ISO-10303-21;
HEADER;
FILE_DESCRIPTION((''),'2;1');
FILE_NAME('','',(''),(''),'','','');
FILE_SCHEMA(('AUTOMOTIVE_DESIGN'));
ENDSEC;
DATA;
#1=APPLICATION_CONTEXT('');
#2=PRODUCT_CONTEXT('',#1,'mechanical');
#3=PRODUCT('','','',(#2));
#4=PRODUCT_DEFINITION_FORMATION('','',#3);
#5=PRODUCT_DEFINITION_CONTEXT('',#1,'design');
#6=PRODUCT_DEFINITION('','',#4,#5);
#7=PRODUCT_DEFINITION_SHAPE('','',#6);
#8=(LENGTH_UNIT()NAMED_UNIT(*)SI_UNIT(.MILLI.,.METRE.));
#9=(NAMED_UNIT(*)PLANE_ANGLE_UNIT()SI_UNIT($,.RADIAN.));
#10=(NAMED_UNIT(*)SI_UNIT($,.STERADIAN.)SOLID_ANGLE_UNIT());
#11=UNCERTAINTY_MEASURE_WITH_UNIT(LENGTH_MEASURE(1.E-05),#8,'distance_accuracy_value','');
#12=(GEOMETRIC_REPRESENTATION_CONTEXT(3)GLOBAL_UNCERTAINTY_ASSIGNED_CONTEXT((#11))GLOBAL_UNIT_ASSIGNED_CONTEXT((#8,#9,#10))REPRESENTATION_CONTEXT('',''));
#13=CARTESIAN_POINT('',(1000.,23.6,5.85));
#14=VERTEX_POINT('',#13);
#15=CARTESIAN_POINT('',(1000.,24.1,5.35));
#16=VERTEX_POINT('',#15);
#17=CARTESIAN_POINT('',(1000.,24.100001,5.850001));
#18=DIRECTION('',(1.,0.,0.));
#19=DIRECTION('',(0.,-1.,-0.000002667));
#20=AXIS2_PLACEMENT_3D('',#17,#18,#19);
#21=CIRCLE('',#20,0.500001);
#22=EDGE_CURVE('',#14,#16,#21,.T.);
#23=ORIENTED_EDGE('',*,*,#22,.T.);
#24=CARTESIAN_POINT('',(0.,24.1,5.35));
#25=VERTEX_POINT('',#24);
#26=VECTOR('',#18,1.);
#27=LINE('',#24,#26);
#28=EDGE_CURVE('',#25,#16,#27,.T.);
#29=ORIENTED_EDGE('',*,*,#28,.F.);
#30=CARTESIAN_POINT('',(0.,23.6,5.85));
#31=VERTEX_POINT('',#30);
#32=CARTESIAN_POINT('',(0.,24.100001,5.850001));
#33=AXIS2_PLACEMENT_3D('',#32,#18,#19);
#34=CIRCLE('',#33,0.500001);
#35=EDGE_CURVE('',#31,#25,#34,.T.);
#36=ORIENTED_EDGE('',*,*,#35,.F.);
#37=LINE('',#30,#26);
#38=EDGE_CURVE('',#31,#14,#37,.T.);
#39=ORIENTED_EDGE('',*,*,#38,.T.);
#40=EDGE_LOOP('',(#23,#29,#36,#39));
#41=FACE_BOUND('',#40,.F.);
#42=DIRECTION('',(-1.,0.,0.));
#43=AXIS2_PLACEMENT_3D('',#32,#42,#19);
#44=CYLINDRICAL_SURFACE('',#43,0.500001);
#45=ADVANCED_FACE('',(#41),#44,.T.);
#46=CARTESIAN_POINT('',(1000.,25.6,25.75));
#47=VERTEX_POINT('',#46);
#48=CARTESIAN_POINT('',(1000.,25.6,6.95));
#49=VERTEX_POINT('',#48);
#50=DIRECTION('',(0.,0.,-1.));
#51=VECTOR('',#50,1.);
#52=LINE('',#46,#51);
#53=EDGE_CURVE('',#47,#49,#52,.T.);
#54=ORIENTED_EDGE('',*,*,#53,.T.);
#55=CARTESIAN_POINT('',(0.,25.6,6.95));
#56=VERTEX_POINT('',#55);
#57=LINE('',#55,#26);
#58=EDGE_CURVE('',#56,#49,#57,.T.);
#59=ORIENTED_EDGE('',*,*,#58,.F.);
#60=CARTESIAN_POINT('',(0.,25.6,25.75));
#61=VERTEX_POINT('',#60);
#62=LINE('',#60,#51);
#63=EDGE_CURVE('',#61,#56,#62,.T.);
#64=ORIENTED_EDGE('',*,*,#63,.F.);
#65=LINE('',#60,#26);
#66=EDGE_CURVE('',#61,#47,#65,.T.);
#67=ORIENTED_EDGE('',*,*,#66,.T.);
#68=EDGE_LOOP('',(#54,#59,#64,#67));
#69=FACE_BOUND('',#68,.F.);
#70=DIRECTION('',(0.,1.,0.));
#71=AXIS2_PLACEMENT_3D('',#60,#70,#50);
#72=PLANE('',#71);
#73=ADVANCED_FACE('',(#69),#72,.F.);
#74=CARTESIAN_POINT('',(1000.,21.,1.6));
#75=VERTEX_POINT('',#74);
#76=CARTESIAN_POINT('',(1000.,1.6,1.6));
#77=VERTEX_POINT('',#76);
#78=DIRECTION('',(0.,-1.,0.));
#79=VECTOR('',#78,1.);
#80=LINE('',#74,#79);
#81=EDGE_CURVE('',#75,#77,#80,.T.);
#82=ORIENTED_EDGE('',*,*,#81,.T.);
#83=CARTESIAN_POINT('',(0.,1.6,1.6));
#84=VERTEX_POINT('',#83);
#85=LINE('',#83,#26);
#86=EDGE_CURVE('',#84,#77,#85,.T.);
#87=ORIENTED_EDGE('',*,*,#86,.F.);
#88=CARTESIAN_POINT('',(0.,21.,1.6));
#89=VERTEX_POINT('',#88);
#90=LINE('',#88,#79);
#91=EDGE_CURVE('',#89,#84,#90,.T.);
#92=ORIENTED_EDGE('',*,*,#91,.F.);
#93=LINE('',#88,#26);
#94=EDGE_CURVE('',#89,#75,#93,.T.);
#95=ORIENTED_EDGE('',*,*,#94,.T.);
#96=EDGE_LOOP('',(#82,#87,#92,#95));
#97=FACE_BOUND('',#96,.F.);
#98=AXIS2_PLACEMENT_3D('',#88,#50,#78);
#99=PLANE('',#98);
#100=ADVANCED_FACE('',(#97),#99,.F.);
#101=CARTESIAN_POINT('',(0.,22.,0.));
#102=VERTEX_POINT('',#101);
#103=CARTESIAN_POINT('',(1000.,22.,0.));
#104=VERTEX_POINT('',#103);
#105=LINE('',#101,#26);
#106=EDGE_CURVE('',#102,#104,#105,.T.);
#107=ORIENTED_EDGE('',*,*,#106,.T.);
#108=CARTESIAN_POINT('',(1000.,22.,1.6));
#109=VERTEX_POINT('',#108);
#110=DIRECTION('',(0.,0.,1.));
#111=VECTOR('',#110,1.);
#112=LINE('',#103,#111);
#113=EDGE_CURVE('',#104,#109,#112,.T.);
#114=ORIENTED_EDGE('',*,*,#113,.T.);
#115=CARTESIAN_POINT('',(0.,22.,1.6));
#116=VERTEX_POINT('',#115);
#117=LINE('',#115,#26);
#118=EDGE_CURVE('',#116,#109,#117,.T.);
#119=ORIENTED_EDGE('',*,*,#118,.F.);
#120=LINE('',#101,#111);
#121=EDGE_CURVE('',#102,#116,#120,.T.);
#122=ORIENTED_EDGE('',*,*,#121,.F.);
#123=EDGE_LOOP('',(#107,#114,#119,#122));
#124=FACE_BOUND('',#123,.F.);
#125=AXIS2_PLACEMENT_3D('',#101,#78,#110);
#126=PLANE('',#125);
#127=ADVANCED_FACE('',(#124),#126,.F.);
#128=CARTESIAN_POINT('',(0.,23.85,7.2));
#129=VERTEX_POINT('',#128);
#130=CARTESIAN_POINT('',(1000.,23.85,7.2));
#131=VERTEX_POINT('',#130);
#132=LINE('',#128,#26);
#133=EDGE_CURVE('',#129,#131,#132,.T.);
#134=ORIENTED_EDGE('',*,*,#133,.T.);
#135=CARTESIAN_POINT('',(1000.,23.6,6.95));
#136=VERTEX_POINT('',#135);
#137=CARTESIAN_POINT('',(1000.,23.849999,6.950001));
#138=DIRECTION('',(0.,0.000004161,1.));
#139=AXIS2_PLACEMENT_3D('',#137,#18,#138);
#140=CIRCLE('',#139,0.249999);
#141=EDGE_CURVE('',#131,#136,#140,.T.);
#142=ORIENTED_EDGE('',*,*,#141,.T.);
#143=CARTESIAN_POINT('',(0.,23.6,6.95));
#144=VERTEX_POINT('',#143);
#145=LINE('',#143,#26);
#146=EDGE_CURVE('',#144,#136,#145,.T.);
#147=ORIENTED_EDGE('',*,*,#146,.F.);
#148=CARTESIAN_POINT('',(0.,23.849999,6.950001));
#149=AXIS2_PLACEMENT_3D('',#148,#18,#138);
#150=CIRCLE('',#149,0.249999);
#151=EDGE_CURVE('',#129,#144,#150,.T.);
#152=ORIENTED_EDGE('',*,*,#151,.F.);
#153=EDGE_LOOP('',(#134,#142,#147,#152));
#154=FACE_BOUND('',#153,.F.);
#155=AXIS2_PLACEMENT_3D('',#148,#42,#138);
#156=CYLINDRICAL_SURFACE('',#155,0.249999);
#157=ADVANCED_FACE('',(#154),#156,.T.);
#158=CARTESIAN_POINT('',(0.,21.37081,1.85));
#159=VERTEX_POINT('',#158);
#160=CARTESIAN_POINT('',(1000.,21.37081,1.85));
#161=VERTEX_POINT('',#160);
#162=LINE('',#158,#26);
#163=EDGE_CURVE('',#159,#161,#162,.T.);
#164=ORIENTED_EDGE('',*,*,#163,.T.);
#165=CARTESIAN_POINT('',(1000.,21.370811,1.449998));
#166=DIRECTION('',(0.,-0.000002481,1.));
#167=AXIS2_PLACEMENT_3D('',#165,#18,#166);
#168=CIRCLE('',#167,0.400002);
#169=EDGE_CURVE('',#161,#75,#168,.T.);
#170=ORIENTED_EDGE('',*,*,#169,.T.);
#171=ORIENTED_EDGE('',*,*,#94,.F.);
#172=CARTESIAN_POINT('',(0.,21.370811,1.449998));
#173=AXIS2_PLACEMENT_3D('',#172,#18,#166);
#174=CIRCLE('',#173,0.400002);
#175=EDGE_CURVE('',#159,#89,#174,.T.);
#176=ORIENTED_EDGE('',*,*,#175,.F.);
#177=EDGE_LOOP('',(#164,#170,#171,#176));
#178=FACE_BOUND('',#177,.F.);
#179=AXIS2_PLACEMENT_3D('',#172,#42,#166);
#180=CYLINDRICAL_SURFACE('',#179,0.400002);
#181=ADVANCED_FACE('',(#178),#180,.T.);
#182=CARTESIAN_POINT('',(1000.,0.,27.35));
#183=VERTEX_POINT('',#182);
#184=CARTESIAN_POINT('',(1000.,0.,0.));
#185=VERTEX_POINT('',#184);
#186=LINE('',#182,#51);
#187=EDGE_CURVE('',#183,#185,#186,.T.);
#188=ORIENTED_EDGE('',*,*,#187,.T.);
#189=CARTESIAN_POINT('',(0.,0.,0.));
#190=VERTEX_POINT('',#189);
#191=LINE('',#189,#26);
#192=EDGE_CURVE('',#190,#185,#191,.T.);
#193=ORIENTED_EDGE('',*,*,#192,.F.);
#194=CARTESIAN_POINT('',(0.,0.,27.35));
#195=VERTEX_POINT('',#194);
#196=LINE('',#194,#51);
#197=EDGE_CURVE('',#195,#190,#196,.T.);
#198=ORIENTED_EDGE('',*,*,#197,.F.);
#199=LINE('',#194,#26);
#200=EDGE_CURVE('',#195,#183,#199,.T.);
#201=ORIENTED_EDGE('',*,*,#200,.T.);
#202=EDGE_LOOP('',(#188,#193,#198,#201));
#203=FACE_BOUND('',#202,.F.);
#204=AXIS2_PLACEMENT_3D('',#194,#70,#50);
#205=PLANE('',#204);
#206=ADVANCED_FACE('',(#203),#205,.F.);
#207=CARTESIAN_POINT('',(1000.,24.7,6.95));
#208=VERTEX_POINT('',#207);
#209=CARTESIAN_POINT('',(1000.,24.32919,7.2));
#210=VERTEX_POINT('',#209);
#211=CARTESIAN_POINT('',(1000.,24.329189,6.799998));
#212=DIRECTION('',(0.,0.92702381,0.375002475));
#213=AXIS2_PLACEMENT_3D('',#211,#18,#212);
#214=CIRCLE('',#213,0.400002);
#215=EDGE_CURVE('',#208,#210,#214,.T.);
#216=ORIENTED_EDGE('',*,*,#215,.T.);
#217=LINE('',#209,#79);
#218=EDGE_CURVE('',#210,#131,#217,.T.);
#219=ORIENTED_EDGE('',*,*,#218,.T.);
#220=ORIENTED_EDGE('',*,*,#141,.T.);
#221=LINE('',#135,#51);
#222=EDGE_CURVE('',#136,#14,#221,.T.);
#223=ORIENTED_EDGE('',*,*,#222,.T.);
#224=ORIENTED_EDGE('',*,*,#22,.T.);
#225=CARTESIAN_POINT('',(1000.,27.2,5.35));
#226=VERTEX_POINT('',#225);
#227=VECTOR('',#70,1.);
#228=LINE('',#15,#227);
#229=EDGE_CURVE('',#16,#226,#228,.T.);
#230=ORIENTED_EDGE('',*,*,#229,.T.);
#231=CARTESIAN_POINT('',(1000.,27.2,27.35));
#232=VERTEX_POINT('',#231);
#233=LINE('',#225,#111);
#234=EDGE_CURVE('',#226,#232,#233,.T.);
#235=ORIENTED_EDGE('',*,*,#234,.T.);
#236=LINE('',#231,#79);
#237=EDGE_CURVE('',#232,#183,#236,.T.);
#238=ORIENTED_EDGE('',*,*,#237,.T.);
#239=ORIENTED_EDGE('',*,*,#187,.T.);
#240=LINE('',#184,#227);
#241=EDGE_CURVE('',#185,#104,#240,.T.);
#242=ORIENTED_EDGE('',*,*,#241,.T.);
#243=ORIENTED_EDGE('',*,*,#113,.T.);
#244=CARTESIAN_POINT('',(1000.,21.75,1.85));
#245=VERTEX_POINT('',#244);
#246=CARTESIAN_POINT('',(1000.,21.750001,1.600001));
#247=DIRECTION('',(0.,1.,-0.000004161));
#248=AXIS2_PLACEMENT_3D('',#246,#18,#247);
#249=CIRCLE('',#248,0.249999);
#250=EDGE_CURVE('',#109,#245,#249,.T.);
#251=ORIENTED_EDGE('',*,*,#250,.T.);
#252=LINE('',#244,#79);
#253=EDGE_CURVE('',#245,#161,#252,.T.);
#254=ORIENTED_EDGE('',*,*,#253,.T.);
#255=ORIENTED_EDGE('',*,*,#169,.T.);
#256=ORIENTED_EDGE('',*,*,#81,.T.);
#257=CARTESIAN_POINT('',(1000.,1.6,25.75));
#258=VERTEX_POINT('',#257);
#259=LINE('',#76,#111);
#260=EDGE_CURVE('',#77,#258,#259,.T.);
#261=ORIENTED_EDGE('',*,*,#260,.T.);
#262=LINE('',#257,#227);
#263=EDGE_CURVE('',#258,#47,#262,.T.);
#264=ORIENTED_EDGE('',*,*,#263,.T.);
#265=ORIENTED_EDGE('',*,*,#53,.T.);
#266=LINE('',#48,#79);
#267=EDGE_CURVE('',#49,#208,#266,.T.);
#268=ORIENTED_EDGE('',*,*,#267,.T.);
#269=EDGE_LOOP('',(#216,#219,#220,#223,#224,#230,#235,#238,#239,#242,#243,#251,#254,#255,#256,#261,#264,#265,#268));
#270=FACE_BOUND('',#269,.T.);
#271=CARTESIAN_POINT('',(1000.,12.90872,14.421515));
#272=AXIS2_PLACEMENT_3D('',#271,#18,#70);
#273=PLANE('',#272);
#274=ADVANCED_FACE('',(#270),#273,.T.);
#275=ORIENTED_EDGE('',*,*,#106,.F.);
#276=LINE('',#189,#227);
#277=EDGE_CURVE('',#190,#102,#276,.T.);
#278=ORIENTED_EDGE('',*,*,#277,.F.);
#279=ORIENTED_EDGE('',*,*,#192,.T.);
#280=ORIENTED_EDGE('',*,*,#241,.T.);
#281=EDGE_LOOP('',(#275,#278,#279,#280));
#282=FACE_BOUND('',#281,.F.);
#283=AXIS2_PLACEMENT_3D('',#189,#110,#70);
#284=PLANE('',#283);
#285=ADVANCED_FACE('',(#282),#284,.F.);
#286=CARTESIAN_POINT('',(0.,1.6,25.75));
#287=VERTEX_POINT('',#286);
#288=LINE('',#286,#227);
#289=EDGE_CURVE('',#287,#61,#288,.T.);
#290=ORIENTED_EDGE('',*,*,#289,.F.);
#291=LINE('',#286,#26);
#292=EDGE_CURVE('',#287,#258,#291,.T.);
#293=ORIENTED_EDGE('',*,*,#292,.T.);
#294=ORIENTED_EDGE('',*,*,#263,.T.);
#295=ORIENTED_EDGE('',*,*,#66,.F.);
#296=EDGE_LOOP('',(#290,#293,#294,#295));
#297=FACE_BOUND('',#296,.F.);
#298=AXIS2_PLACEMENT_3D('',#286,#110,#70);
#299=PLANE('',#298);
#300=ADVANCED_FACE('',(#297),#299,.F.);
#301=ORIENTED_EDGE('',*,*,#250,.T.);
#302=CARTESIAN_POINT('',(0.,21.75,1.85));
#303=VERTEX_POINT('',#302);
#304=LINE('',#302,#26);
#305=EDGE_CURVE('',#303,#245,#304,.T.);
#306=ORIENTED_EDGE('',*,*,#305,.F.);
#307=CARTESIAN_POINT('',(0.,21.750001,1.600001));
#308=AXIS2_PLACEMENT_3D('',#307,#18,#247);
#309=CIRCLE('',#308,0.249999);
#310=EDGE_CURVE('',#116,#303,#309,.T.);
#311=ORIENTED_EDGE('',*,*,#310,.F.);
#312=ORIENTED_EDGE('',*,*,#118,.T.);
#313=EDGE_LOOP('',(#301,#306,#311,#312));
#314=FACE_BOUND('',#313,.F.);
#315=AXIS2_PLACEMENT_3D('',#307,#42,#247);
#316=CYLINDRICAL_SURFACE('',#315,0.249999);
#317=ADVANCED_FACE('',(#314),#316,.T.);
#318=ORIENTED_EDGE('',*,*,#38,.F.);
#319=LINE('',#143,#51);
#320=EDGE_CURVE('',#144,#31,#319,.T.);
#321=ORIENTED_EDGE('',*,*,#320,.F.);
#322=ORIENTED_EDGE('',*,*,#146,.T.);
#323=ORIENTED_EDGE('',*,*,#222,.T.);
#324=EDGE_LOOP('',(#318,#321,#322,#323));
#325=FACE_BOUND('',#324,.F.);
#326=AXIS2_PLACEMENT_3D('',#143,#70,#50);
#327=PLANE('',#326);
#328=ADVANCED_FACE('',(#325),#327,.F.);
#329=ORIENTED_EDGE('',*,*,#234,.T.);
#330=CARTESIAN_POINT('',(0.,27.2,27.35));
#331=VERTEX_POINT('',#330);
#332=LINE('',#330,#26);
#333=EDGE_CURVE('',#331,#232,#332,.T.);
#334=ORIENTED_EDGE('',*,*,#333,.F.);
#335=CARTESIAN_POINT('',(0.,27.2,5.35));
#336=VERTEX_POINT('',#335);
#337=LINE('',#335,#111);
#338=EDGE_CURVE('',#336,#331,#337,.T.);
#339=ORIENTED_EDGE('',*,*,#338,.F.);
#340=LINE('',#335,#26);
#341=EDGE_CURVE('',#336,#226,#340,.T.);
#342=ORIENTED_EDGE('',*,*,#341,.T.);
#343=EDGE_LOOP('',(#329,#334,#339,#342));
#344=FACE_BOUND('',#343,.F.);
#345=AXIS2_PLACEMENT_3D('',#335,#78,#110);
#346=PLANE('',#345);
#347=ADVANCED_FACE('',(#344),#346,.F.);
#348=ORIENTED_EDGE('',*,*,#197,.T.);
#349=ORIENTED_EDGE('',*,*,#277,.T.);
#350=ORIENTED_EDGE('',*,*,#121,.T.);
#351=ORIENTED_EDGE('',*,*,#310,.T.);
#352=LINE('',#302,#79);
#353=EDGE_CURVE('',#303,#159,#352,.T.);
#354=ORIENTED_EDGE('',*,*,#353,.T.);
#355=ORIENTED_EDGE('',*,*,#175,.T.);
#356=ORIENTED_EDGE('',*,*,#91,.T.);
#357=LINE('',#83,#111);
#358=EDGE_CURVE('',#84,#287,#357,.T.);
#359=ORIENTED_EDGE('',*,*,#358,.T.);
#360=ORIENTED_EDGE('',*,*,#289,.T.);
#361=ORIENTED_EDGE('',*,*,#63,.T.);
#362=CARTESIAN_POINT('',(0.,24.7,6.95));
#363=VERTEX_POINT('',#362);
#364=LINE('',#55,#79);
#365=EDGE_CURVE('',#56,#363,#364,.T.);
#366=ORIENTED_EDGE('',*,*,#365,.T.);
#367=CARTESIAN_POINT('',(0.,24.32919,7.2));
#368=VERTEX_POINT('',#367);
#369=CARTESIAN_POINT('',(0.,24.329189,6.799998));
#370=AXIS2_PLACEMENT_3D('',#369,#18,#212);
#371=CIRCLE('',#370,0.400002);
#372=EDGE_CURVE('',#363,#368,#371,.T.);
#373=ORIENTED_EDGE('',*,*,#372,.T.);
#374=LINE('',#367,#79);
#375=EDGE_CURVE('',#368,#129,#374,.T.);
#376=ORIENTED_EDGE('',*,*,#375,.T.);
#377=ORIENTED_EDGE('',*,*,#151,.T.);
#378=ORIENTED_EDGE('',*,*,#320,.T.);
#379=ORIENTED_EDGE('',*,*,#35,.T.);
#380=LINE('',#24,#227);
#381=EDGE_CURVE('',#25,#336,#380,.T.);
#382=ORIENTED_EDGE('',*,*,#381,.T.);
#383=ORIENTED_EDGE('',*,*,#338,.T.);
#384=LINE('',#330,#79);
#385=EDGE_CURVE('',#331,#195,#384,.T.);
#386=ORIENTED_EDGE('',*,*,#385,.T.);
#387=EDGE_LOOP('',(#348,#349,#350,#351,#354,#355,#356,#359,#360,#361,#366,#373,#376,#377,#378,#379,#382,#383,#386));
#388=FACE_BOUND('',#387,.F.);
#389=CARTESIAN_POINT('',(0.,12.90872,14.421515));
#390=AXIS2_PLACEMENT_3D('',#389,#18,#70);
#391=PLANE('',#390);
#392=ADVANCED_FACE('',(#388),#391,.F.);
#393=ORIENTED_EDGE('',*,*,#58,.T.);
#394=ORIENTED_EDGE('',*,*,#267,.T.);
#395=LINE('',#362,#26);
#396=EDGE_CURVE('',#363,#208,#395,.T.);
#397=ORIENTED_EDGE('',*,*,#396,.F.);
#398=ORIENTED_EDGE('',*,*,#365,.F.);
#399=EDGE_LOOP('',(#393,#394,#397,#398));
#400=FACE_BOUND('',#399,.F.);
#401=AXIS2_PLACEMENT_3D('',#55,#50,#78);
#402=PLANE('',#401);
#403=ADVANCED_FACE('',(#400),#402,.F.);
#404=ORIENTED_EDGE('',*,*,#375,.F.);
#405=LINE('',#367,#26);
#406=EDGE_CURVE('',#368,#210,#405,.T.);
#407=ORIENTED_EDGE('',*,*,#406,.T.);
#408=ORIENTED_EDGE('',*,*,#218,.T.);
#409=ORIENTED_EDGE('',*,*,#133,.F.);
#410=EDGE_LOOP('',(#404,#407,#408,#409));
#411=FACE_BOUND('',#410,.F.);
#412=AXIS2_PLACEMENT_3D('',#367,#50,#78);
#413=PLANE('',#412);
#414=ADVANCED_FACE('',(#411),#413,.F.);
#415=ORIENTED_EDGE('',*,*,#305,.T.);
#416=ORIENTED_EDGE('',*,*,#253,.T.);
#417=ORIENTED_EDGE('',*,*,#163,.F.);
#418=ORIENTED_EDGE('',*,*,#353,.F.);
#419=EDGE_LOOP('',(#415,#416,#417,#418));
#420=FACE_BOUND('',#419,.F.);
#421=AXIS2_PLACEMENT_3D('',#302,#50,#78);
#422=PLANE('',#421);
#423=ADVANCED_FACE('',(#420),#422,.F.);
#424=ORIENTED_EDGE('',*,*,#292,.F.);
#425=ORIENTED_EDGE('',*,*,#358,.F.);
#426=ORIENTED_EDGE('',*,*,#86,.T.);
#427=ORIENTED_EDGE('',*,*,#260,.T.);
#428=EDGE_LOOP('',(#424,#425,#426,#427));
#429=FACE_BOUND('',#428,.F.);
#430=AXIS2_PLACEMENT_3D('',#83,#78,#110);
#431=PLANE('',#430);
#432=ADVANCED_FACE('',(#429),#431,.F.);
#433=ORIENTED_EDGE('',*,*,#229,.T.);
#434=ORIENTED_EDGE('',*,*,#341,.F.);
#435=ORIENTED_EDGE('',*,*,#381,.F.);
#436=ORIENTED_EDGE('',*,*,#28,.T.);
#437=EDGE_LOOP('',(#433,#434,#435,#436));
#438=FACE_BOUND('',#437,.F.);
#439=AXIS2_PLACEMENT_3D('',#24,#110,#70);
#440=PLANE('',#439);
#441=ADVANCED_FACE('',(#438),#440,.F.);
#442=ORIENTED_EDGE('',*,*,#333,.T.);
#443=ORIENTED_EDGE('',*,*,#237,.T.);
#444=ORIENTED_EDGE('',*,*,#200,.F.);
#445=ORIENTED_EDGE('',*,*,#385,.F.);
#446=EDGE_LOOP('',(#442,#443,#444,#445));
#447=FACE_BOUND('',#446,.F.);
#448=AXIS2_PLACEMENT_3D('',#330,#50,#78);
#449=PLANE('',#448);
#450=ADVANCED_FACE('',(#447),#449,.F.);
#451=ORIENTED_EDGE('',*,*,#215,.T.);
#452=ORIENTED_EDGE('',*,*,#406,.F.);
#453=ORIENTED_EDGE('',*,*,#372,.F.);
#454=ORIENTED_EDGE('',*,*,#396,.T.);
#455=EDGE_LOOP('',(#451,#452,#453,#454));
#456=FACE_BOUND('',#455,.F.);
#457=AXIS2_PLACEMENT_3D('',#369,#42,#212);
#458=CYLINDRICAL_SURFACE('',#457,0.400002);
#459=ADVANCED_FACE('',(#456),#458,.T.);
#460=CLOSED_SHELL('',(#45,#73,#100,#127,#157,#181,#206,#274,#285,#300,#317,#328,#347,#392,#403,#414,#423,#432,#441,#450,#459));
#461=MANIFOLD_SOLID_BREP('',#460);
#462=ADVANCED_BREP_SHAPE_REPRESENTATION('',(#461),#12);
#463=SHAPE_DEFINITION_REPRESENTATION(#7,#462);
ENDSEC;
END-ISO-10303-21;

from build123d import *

# Parameters (mm, degrees)
F1_DEPTH = 1000


with BuildPart() as f1:
    # F0 (on Right) → F1 (new body)
    with BuildSketch(Plane.YZ):
        with BuildLine():
            Line((27.2, 5.35), (27.2, 27.35))
            Line((27.2, 27.35), (0, 27.35))
            Line((0, 27.35), (0, 0))
            Line((0, 0), (22, 0))
            Line((22, 0), (22, 1.6))
            ThreePointArc((22, 1.6), (21.926777, 1.776777), (21.75, 1.85))
            Line((21.75, 1.85), (21.37081, 1.85))
            ThreePointArc((21.37081, 1.85), (21.147203, 1.781662), (21, 1.6))
            Line((21, 1.6), (1.6, 1.6))
            Line((1.6, 1.6), (1.6, 13.675))
            Line((1.6, 13.675), (1.6, 25.75))
            Line((1.6, 25.75), (25.6, 25.75))
            Line((25.6, 25.75), (25.6, 6.95))
            Line((25.6, 6.95), (24.7, 6.95))
            ThreePointArc((24.7, 6.95), (24.552797, 7.131662), (24.32919, 7.2))
            Line((24.32919, 7.2), (23.85, 7.2))
            ThreePointArc((23.85, 7.2), (23.673223, 7.126777), (23.6, 6.95))
            Line((23.6, 6.95), (23.6, 5.85))
            ThreePointArc((23.6, 5.85), (23.746447, 5.496447), (24.1, 5.35))
            Line((24.1, 5.35), (27.2, 5.35))
        make_face()
    extrude(amount=F1_DEPTH)


solid = f1.part
